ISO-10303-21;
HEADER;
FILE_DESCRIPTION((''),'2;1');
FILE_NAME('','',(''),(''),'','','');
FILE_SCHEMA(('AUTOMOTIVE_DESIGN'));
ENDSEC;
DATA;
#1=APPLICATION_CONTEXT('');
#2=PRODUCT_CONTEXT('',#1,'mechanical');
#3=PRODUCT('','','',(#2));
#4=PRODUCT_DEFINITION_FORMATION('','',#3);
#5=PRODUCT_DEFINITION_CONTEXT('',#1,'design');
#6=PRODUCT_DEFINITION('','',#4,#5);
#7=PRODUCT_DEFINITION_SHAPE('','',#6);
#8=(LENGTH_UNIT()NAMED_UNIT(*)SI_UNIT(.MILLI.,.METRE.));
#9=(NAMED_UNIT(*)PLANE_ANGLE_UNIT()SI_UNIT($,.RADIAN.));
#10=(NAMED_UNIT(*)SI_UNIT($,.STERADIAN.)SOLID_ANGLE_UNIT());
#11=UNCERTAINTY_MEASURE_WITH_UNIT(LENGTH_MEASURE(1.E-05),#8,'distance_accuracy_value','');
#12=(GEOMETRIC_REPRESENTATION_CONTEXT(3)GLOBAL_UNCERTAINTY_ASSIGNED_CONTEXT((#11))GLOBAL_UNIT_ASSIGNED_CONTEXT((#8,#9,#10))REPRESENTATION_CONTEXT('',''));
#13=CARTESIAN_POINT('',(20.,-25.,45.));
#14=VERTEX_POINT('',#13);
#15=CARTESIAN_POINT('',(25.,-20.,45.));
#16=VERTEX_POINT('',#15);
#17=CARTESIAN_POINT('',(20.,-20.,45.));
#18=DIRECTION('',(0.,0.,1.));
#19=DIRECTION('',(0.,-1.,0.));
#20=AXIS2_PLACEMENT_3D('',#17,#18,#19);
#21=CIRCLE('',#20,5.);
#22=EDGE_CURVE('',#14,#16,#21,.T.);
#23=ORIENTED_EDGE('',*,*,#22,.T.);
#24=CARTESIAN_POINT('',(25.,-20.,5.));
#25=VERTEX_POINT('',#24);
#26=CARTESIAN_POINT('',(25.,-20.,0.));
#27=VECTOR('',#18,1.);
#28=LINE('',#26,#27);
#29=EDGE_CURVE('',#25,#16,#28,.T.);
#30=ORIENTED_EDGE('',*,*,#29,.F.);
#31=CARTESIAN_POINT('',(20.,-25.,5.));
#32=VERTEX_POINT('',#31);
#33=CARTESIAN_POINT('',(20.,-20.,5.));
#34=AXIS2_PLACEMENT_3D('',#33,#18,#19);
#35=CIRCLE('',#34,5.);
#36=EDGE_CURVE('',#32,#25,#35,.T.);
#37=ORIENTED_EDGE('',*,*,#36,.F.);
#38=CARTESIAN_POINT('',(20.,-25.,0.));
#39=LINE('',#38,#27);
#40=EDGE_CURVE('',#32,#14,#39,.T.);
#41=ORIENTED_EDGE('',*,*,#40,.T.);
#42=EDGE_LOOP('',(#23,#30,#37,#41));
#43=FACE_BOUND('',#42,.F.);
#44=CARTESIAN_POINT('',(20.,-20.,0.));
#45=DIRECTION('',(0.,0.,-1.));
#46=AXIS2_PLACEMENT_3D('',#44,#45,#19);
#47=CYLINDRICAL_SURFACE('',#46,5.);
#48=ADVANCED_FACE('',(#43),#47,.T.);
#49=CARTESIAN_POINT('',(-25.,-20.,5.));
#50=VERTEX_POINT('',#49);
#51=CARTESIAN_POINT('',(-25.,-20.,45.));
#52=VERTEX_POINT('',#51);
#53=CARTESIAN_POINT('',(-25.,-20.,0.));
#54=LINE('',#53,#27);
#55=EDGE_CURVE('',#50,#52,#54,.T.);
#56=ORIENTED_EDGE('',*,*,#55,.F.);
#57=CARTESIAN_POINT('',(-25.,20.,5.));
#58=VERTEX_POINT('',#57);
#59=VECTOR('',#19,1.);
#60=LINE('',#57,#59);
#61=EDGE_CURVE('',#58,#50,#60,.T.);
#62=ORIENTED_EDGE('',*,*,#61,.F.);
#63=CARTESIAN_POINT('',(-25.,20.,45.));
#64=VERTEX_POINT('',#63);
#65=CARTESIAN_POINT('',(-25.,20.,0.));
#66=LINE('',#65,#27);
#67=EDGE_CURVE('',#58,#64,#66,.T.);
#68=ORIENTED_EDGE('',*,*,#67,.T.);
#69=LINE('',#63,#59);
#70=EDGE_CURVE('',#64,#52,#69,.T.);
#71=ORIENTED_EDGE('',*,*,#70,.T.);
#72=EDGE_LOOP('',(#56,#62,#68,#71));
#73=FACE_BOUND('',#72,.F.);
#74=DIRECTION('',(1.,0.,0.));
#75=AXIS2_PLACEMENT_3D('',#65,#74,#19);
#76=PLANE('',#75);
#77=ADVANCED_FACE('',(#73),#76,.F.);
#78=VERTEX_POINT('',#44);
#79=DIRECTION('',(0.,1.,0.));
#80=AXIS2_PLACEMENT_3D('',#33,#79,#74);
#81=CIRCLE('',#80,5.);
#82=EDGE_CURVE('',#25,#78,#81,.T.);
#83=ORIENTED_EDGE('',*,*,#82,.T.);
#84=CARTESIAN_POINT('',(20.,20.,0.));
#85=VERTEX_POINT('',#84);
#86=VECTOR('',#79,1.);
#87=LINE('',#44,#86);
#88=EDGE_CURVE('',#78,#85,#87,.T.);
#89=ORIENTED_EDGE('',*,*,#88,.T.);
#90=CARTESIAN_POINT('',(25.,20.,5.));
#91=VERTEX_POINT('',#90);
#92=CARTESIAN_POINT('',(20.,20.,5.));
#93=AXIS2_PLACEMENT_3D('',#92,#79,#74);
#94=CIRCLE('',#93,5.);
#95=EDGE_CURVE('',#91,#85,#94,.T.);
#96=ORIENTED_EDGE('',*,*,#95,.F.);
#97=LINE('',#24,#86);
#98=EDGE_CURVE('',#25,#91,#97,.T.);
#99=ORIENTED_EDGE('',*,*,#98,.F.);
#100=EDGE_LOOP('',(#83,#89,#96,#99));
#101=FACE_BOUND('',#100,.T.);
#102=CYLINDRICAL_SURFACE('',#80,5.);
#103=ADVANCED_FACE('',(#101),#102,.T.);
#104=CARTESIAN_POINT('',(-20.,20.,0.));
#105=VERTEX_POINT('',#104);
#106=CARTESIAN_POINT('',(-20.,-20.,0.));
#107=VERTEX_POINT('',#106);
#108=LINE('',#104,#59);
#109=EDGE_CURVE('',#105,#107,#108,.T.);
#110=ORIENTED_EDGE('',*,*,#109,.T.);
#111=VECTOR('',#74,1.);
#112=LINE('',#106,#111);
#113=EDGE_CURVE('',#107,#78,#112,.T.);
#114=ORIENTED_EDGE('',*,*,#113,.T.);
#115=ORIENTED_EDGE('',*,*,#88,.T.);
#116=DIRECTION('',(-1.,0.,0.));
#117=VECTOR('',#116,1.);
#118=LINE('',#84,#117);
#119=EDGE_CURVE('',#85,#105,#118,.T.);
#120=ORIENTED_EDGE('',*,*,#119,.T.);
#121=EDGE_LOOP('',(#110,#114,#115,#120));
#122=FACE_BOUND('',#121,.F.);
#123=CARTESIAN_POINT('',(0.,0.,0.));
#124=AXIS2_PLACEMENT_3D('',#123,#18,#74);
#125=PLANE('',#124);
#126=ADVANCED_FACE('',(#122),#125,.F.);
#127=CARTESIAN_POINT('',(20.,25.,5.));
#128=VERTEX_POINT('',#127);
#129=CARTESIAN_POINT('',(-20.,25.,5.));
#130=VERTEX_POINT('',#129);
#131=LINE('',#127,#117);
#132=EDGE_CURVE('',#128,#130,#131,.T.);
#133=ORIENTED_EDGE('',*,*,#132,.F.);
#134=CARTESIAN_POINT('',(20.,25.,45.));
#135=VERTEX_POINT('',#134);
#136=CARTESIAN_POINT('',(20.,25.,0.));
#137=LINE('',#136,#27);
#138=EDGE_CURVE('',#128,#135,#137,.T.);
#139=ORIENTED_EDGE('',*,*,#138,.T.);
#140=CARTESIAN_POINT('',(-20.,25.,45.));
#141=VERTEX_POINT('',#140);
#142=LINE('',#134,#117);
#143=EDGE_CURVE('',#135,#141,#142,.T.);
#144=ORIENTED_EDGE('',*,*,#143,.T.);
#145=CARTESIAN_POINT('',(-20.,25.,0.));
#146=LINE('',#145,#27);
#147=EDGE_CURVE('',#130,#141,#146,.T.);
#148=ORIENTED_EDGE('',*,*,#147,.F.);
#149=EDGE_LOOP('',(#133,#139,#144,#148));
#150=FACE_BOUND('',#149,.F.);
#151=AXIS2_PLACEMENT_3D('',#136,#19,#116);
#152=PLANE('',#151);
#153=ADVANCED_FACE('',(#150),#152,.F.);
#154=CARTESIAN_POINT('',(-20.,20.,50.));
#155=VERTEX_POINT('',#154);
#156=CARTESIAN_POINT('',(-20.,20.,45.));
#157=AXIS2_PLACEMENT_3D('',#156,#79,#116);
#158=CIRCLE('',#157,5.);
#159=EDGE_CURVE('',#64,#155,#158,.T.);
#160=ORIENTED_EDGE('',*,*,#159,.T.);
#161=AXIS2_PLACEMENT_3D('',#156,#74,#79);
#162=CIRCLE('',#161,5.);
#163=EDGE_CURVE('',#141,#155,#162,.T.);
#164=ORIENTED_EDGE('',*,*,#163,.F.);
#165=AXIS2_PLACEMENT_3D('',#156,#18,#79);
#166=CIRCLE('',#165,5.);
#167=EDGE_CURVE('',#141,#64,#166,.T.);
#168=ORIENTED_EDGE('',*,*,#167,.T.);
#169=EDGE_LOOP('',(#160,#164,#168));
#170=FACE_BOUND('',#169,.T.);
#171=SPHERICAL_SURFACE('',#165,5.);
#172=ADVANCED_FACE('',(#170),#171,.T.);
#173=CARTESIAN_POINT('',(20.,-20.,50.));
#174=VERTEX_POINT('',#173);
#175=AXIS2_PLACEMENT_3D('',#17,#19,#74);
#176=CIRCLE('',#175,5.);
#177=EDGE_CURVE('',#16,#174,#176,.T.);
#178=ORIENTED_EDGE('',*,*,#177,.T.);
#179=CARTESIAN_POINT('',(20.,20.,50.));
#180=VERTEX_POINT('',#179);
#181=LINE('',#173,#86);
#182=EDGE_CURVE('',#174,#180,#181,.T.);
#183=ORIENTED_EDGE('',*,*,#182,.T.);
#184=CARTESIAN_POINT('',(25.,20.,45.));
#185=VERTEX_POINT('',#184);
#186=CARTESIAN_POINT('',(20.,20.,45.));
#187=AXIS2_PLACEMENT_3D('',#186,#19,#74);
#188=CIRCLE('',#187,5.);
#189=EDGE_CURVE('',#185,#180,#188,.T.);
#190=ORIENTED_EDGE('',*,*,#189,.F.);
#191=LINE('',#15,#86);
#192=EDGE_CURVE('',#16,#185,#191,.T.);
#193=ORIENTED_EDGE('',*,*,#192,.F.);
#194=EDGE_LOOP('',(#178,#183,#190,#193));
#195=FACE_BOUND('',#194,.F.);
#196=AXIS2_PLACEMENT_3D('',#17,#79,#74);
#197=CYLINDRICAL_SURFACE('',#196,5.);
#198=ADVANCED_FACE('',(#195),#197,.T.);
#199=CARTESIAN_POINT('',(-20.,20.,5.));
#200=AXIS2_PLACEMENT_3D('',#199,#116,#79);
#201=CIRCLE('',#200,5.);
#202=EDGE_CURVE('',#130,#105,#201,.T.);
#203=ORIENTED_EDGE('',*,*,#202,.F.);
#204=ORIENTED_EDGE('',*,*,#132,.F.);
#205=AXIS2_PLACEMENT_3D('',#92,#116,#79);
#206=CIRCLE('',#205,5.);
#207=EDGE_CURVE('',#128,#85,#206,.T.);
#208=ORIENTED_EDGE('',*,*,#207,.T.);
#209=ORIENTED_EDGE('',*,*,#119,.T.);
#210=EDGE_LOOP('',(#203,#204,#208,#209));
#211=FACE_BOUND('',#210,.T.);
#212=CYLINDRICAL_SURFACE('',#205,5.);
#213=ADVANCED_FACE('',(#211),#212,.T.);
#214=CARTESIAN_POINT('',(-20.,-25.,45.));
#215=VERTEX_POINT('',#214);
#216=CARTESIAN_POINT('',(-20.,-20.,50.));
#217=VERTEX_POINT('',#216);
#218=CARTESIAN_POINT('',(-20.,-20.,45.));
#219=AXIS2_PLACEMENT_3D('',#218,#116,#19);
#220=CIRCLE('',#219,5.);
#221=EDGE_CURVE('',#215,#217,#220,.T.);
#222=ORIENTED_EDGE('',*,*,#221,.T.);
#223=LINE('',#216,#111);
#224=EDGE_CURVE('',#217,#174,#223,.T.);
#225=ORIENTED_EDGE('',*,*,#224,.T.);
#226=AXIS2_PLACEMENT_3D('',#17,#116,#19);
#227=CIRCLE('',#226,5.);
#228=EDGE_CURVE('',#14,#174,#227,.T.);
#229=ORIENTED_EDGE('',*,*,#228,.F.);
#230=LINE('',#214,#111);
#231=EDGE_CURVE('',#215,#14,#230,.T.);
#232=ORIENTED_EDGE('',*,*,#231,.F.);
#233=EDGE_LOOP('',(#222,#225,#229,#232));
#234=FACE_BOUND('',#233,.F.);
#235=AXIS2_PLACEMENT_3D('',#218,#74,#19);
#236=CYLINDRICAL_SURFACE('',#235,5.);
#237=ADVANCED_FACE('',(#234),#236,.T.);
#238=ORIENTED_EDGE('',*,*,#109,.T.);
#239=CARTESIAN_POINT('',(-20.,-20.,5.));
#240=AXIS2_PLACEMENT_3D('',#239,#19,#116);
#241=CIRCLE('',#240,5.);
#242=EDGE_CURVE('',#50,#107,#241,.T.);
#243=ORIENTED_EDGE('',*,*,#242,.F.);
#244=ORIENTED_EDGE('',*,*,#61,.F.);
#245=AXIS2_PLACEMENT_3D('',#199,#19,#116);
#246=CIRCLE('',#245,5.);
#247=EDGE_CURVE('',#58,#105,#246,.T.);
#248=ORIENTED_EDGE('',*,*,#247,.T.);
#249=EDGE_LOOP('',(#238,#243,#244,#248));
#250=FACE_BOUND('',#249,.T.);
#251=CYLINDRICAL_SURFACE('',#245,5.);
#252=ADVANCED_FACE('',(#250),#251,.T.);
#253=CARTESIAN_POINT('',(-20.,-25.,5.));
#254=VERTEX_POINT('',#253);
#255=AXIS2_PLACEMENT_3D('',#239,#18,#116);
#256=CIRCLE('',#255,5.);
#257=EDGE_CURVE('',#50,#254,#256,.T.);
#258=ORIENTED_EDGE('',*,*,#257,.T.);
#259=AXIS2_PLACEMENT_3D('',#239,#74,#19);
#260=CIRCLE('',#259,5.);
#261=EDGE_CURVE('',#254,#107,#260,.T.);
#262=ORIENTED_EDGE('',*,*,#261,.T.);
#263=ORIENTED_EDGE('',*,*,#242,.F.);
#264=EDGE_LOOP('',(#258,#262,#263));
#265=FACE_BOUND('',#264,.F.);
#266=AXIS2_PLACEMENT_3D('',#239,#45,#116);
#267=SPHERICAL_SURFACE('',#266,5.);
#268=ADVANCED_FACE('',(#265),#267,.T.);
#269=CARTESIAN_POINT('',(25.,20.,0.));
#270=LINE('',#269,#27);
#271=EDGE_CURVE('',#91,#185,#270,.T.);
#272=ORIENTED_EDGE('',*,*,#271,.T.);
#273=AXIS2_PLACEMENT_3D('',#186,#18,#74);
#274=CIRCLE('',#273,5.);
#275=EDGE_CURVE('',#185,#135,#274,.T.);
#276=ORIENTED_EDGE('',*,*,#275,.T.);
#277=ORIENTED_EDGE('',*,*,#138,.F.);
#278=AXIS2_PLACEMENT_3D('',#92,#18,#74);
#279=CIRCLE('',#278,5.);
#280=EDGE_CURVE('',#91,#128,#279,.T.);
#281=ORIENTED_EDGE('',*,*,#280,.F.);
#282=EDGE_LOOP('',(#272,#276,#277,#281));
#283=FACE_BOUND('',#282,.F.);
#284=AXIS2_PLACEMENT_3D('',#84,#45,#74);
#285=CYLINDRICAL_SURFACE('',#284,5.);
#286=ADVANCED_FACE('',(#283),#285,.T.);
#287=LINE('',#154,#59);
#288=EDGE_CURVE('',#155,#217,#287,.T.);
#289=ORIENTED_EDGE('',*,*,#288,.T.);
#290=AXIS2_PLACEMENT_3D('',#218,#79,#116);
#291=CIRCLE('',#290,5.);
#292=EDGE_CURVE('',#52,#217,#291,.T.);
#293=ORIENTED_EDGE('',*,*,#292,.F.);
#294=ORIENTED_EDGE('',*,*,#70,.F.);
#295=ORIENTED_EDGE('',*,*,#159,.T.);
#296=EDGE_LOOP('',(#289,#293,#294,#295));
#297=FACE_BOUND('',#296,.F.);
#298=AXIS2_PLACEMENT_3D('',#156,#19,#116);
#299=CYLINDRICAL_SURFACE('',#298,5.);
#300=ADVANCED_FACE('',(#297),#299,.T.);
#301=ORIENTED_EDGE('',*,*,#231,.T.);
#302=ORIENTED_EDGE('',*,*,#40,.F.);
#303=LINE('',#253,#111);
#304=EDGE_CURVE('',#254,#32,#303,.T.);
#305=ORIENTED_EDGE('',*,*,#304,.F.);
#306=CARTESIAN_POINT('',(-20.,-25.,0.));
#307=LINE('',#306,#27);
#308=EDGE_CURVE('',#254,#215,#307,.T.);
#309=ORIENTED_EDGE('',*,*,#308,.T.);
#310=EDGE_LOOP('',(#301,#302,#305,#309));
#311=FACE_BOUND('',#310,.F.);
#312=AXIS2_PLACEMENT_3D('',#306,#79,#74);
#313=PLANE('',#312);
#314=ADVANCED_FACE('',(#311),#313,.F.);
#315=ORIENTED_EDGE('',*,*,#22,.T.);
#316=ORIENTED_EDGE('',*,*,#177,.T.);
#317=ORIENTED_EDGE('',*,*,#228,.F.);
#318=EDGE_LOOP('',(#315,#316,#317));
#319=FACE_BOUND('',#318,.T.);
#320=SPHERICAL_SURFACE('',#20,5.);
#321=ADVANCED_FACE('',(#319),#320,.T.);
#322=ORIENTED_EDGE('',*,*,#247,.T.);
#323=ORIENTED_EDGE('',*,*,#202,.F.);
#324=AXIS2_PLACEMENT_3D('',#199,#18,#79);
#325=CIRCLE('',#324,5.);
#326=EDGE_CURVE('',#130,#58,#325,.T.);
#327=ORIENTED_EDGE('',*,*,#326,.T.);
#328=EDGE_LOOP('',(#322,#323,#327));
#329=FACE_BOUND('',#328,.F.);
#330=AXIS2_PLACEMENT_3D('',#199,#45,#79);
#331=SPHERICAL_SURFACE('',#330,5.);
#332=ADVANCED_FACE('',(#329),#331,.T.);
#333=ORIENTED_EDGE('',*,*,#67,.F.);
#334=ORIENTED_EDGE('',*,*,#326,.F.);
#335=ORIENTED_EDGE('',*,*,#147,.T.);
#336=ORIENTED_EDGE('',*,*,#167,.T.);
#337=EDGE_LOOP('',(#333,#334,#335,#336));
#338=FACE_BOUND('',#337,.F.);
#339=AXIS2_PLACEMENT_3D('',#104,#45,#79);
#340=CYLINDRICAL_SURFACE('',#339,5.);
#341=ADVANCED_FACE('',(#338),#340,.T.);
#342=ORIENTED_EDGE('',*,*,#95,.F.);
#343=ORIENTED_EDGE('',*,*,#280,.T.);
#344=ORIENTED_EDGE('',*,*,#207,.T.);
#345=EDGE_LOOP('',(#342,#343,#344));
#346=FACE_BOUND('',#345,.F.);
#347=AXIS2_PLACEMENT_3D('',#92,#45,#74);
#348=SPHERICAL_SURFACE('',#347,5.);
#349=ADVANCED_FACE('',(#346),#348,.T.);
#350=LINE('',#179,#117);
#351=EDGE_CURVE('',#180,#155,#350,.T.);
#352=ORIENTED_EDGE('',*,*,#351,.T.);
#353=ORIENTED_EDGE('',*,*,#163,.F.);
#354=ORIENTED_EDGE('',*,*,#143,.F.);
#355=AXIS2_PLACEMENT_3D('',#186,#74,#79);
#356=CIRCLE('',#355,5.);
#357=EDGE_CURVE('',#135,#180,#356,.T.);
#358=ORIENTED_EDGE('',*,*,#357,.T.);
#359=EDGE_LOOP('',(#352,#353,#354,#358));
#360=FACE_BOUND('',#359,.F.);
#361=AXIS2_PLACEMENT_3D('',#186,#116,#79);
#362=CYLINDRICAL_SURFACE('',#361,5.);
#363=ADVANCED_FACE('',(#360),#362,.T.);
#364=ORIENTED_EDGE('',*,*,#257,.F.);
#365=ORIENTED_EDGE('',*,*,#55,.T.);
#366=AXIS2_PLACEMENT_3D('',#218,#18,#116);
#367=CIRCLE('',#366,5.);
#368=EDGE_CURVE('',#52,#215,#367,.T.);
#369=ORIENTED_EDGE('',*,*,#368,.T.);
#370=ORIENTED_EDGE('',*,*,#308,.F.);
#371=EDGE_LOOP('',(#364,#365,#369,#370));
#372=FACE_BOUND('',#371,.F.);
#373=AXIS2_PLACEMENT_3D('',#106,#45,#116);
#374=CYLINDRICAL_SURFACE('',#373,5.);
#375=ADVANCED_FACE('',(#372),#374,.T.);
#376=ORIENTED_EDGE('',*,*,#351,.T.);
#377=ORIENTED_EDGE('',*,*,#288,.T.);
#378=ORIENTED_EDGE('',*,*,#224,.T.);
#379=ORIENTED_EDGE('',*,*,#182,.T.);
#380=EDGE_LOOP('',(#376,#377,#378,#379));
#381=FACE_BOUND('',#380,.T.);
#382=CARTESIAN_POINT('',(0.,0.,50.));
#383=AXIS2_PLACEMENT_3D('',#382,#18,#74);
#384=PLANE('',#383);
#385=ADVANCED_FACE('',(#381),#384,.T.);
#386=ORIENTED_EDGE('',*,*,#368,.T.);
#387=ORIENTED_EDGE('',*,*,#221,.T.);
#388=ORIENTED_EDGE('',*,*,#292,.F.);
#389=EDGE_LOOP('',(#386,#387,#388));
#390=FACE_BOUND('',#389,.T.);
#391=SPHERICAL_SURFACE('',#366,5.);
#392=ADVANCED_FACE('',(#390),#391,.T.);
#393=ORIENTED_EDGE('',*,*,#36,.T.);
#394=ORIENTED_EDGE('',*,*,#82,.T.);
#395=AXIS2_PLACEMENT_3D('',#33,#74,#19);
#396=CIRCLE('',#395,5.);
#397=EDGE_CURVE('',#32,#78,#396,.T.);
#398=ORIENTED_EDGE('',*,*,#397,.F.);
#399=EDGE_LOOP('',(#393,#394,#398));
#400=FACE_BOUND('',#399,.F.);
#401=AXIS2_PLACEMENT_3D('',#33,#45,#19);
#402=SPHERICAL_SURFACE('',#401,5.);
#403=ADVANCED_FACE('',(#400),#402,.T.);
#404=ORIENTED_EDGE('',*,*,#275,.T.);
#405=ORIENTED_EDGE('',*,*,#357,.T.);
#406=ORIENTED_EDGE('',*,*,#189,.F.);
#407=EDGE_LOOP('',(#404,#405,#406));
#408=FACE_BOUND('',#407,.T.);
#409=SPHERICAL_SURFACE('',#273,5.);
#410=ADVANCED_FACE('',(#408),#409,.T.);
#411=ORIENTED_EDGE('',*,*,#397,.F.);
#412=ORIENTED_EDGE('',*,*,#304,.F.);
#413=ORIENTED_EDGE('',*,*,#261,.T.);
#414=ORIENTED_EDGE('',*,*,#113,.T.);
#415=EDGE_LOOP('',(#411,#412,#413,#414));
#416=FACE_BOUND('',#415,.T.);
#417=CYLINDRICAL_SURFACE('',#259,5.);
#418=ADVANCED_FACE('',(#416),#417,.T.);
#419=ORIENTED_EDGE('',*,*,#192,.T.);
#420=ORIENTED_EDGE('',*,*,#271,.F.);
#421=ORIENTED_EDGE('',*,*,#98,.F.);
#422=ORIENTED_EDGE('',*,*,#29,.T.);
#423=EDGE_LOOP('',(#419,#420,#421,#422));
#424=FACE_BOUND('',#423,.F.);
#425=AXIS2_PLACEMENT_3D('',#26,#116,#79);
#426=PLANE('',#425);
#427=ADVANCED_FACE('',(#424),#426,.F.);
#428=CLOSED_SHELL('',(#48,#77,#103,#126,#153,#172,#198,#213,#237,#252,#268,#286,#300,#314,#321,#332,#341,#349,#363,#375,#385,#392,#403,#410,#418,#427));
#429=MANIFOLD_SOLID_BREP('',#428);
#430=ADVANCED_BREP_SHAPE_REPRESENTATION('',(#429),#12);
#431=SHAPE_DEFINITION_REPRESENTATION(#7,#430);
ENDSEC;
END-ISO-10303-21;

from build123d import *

# Parameters (mm, degrees)
F1_DEPTH = 50
F2_R     = 5
F3_R     = 5


with BuildPart() as f1:
    # F0 (on Top) → F1 (new body)
    with BuildSketch(Plane.XY):
        with BuildLine():
            Line((20, 25), (-20, 25))
            ThreePointArc((-20, 25), (-23.5355339059, 23.5355339059), (-25, 20))
            Line((-25, 20), (-25, -20))
            ThreePointArc((-25, -20), (-23.5355339059, -23.5355339059), (-20, -25))
            Line((-20, -25), (20, -25))
            ThreePointArc((20, -25), (23.5355339059, -23.5355339059), (25, -20))
            Line((25, -20), (25, 20))
            ThreePointArc((25, 20), (23.5355339059, 23.5355339059), (20, 25))
        make_face()
    extrude(amount=F1_DEPTH)

    # F2
    f2_edges = [f1.edges().sort_by_distance(p)[0] for p in [
        (25, 0, 50),
    ]]
    fillet(f2_edges, radius=F2_R)

    # F3
    f3_edges = [f1.edges().sort_by_distance(p)[0] for p in [
        (0, 25, 0),
    ]]
    fillet(f3_edges, radius=F3_R)


solid = f1.part
